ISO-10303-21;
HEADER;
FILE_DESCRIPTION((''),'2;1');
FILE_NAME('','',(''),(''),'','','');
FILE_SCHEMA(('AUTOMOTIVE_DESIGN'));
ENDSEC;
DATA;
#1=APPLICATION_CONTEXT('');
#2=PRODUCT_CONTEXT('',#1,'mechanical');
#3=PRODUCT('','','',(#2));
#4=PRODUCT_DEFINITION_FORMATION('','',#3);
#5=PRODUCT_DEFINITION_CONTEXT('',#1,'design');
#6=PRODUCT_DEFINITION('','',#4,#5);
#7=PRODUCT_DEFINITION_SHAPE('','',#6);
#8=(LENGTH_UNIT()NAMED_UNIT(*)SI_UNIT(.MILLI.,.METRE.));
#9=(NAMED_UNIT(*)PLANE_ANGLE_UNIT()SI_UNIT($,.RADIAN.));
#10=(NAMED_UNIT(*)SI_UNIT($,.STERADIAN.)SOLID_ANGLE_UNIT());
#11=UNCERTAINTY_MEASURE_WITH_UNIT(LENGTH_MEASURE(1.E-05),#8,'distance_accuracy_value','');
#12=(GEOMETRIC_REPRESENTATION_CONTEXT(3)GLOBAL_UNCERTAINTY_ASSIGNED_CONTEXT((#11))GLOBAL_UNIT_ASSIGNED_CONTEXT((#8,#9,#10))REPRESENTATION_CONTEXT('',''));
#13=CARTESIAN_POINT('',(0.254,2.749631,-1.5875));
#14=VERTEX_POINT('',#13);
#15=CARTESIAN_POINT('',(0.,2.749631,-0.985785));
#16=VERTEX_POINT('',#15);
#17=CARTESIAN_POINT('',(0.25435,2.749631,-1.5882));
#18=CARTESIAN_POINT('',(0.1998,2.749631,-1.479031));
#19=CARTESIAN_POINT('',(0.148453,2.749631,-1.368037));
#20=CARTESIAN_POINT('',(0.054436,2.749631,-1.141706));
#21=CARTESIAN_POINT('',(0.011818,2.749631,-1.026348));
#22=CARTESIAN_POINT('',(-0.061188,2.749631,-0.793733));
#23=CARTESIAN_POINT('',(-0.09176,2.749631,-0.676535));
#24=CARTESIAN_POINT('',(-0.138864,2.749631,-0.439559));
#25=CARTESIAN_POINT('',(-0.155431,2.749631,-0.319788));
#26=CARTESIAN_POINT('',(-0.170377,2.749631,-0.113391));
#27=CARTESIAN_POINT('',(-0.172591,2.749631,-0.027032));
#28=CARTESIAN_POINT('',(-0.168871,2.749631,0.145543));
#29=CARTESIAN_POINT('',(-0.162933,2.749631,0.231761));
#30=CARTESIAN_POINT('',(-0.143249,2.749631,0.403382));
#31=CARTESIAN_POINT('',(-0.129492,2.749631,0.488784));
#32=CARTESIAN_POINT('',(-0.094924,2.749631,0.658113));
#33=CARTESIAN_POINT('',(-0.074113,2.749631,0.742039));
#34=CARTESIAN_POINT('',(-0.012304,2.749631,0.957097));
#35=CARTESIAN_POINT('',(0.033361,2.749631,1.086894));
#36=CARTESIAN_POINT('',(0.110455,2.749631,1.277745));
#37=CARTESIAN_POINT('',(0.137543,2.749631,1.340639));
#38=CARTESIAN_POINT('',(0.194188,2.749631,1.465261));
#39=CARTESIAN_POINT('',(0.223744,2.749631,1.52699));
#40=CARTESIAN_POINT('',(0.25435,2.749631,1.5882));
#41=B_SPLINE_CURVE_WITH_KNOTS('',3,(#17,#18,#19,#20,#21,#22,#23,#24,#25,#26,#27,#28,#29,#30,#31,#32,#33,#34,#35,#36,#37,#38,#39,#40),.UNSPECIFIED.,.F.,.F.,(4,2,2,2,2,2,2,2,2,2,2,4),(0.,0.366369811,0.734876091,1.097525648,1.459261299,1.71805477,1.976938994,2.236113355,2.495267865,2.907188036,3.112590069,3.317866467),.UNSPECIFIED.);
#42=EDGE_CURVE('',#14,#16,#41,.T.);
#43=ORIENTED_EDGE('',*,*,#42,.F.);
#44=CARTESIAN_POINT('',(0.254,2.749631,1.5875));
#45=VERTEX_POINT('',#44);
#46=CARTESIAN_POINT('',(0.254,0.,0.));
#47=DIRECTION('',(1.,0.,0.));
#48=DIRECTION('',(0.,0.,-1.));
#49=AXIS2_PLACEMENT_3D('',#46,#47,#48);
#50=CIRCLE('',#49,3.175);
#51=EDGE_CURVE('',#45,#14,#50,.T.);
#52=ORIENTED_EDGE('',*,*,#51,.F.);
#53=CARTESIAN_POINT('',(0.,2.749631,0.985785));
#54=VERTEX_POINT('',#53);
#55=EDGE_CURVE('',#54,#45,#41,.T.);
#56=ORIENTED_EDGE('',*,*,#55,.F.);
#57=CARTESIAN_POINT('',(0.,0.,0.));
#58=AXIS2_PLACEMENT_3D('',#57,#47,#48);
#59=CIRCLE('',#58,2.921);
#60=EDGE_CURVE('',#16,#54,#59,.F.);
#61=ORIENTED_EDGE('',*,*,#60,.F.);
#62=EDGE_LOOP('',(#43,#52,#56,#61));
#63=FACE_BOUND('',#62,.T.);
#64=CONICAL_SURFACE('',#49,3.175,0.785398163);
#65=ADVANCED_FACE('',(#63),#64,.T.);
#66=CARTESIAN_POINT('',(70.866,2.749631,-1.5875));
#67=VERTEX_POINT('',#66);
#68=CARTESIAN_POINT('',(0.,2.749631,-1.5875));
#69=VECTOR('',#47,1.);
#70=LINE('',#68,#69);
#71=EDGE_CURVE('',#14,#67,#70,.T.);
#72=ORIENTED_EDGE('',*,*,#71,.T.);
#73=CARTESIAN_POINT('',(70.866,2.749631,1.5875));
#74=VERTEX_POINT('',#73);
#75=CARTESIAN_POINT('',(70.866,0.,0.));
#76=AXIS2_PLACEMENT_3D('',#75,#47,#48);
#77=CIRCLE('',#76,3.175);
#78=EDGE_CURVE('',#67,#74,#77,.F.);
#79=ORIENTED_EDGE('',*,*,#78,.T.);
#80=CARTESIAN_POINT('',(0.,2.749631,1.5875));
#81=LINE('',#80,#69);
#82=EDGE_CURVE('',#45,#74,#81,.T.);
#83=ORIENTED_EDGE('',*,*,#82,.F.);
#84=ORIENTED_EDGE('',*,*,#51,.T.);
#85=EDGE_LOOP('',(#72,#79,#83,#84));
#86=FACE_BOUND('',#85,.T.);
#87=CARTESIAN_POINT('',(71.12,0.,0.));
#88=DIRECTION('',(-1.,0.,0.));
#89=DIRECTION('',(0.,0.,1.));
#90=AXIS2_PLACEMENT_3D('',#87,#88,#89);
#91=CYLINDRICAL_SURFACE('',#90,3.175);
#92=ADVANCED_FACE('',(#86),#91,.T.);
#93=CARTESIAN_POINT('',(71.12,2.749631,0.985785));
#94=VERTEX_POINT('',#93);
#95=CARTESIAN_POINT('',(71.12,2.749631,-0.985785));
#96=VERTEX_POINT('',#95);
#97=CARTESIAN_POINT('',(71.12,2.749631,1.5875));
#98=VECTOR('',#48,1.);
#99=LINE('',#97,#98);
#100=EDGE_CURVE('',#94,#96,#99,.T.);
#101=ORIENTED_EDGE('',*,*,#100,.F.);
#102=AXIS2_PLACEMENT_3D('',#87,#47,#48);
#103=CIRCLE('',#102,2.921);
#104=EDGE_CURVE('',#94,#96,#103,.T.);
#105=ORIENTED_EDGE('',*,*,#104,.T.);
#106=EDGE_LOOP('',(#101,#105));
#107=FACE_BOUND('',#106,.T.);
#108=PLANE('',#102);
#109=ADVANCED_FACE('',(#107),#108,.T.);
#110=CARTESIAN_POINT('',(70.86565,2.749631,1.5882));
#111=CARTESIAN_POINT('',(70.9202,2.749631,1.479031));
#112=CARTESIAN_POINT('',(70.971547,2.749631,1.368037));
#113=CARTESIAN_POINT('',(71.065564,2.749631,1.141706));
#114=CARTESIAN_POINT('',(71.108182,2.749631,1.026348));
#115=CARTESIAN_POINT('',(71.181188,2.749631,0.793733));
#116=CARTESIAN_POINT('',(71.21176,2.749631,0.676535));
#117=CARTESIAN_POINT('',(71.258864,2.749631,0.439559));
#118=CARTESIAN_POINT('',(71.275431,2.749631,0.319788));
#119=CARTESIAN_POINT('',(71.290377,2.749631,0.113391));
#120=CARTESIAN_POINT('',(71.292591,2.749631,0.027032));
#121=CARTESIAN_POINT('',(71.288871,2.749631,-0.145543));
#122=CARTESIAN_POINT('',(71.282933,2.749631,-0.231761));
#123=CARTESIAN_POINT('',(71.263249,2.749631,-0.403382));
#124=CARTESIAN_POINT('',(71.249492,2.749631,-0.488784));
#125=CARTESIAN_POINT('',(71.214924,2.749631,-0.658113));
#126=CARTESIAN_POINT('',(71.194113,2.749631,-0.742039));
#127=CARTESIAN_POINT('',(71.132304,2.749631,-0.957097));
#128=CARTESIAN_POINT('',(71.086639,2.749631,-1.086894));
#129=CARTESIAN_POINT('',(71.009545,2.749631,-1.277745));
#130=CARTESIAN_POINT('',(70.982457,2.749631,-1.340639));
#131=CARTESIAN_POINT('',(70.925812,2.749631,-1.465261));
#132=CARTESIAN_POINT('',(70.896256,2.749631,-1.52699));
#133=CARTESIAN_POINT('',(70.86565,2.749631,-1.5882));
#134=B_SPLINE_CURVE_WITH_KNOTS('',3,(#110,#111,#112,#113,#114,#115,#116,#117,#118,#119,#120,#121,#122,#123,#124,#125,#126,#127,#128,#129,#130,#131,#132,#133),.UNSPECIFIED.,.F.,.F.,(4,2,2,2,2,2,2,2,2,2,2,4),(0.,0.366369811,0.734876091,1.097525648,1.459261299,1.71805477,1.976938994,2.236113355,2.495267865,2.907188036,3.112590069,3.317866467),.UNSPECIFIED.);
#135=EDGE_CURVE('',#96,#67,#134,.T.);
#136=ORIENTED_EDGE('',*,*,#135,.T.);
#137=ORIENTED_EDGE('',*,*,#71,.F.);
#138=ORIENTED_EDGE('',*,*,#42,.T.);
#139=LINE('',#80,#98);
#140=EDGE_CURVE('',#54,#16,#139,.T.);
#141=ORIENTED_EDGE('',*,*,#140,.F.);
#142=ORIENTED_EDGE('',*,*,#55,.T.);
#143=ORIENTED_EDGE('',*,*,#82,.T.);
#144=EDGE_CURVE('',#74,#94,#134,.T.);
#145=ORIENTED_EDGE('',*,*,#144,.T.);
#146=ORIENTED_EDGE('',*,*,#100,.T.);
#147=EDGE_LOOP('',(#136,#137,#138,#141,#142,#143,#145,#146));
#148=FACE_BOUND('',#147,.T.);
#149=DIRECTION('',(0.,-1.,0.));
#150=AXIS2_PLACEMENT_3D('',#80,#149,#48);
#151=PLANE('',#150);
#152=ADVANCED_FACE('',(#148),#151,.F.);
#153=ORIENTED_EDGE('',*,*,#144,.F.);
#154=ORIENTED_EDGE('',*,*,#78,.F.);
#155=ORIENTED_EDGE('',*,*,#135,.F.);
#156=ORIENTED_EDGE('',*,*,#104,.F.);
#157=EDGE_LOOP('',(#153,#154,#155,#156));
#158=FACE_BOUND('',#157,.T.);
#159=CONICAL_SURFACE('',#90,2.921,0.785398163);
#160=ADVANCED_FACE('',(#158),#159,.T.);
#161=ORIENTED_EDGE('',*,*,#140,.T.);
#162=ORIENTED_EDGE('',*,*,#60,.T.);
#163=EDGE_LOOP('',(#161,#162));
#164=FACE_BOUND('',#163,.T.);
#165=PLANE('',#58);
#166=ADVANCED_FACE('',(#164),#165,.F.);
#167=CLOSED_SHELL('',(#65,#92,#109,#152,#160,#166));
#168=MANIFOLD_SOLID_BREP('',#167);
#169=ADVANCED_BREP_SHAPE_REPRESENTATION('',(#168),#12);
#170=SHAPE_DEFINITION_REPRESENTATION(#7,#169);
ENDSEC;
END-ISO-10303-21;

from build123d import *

# Parameters (mm, degrees)
SKETCH1_R           = 3.175
BOSS_EXTRUDE1_DEPTH = 71.12
CHAMFER1_SIZE       = 0.254
CUT_EXTRUDE2_DEPTH  = 72.261600108


with BuildPart() as part:
    # Sketch1 → Boss-Extrude1 (new body)
    with BuildSketch(Plane(origin=(0, 0, 0), x_dir=(0, 0, -1), z_dir=(1, 0, 0))):
        Circle(SKETCH1_R)
    extrude(amount=BOSS_EXTRUDE1_DEPTH)

    # Chamfer1
    chamfer1_edges = [part.edges().sort_by_distance(p)[0] for p in [
        (0, 0, 3.175),
        (71.12, 0, 3.175),
    ]]
    chamfer(chamfer1_edges, length=CHAMFER1_SIZE)

    # Sketch2 → Cut-Extrude2 (cut, through all)
    with BuildSketch(Plane(origin=(71.12, 0, 0), x_dir=(0, 0, -1), z_dir=(1, 0, 0))):
        with BuildLine():
            Line((-1.5875, 2.749630657), (1.5875, 2.749630657))
            ThreePointArc((1.5875, 2.749630657), (0, 3.175), (-1.5875, 2.749630657))
        make_face()
    extrude(amount=-CUT_EXTRUDE2_DEPTH, mode=Mode.SUBTRACT)


solid = part.part
